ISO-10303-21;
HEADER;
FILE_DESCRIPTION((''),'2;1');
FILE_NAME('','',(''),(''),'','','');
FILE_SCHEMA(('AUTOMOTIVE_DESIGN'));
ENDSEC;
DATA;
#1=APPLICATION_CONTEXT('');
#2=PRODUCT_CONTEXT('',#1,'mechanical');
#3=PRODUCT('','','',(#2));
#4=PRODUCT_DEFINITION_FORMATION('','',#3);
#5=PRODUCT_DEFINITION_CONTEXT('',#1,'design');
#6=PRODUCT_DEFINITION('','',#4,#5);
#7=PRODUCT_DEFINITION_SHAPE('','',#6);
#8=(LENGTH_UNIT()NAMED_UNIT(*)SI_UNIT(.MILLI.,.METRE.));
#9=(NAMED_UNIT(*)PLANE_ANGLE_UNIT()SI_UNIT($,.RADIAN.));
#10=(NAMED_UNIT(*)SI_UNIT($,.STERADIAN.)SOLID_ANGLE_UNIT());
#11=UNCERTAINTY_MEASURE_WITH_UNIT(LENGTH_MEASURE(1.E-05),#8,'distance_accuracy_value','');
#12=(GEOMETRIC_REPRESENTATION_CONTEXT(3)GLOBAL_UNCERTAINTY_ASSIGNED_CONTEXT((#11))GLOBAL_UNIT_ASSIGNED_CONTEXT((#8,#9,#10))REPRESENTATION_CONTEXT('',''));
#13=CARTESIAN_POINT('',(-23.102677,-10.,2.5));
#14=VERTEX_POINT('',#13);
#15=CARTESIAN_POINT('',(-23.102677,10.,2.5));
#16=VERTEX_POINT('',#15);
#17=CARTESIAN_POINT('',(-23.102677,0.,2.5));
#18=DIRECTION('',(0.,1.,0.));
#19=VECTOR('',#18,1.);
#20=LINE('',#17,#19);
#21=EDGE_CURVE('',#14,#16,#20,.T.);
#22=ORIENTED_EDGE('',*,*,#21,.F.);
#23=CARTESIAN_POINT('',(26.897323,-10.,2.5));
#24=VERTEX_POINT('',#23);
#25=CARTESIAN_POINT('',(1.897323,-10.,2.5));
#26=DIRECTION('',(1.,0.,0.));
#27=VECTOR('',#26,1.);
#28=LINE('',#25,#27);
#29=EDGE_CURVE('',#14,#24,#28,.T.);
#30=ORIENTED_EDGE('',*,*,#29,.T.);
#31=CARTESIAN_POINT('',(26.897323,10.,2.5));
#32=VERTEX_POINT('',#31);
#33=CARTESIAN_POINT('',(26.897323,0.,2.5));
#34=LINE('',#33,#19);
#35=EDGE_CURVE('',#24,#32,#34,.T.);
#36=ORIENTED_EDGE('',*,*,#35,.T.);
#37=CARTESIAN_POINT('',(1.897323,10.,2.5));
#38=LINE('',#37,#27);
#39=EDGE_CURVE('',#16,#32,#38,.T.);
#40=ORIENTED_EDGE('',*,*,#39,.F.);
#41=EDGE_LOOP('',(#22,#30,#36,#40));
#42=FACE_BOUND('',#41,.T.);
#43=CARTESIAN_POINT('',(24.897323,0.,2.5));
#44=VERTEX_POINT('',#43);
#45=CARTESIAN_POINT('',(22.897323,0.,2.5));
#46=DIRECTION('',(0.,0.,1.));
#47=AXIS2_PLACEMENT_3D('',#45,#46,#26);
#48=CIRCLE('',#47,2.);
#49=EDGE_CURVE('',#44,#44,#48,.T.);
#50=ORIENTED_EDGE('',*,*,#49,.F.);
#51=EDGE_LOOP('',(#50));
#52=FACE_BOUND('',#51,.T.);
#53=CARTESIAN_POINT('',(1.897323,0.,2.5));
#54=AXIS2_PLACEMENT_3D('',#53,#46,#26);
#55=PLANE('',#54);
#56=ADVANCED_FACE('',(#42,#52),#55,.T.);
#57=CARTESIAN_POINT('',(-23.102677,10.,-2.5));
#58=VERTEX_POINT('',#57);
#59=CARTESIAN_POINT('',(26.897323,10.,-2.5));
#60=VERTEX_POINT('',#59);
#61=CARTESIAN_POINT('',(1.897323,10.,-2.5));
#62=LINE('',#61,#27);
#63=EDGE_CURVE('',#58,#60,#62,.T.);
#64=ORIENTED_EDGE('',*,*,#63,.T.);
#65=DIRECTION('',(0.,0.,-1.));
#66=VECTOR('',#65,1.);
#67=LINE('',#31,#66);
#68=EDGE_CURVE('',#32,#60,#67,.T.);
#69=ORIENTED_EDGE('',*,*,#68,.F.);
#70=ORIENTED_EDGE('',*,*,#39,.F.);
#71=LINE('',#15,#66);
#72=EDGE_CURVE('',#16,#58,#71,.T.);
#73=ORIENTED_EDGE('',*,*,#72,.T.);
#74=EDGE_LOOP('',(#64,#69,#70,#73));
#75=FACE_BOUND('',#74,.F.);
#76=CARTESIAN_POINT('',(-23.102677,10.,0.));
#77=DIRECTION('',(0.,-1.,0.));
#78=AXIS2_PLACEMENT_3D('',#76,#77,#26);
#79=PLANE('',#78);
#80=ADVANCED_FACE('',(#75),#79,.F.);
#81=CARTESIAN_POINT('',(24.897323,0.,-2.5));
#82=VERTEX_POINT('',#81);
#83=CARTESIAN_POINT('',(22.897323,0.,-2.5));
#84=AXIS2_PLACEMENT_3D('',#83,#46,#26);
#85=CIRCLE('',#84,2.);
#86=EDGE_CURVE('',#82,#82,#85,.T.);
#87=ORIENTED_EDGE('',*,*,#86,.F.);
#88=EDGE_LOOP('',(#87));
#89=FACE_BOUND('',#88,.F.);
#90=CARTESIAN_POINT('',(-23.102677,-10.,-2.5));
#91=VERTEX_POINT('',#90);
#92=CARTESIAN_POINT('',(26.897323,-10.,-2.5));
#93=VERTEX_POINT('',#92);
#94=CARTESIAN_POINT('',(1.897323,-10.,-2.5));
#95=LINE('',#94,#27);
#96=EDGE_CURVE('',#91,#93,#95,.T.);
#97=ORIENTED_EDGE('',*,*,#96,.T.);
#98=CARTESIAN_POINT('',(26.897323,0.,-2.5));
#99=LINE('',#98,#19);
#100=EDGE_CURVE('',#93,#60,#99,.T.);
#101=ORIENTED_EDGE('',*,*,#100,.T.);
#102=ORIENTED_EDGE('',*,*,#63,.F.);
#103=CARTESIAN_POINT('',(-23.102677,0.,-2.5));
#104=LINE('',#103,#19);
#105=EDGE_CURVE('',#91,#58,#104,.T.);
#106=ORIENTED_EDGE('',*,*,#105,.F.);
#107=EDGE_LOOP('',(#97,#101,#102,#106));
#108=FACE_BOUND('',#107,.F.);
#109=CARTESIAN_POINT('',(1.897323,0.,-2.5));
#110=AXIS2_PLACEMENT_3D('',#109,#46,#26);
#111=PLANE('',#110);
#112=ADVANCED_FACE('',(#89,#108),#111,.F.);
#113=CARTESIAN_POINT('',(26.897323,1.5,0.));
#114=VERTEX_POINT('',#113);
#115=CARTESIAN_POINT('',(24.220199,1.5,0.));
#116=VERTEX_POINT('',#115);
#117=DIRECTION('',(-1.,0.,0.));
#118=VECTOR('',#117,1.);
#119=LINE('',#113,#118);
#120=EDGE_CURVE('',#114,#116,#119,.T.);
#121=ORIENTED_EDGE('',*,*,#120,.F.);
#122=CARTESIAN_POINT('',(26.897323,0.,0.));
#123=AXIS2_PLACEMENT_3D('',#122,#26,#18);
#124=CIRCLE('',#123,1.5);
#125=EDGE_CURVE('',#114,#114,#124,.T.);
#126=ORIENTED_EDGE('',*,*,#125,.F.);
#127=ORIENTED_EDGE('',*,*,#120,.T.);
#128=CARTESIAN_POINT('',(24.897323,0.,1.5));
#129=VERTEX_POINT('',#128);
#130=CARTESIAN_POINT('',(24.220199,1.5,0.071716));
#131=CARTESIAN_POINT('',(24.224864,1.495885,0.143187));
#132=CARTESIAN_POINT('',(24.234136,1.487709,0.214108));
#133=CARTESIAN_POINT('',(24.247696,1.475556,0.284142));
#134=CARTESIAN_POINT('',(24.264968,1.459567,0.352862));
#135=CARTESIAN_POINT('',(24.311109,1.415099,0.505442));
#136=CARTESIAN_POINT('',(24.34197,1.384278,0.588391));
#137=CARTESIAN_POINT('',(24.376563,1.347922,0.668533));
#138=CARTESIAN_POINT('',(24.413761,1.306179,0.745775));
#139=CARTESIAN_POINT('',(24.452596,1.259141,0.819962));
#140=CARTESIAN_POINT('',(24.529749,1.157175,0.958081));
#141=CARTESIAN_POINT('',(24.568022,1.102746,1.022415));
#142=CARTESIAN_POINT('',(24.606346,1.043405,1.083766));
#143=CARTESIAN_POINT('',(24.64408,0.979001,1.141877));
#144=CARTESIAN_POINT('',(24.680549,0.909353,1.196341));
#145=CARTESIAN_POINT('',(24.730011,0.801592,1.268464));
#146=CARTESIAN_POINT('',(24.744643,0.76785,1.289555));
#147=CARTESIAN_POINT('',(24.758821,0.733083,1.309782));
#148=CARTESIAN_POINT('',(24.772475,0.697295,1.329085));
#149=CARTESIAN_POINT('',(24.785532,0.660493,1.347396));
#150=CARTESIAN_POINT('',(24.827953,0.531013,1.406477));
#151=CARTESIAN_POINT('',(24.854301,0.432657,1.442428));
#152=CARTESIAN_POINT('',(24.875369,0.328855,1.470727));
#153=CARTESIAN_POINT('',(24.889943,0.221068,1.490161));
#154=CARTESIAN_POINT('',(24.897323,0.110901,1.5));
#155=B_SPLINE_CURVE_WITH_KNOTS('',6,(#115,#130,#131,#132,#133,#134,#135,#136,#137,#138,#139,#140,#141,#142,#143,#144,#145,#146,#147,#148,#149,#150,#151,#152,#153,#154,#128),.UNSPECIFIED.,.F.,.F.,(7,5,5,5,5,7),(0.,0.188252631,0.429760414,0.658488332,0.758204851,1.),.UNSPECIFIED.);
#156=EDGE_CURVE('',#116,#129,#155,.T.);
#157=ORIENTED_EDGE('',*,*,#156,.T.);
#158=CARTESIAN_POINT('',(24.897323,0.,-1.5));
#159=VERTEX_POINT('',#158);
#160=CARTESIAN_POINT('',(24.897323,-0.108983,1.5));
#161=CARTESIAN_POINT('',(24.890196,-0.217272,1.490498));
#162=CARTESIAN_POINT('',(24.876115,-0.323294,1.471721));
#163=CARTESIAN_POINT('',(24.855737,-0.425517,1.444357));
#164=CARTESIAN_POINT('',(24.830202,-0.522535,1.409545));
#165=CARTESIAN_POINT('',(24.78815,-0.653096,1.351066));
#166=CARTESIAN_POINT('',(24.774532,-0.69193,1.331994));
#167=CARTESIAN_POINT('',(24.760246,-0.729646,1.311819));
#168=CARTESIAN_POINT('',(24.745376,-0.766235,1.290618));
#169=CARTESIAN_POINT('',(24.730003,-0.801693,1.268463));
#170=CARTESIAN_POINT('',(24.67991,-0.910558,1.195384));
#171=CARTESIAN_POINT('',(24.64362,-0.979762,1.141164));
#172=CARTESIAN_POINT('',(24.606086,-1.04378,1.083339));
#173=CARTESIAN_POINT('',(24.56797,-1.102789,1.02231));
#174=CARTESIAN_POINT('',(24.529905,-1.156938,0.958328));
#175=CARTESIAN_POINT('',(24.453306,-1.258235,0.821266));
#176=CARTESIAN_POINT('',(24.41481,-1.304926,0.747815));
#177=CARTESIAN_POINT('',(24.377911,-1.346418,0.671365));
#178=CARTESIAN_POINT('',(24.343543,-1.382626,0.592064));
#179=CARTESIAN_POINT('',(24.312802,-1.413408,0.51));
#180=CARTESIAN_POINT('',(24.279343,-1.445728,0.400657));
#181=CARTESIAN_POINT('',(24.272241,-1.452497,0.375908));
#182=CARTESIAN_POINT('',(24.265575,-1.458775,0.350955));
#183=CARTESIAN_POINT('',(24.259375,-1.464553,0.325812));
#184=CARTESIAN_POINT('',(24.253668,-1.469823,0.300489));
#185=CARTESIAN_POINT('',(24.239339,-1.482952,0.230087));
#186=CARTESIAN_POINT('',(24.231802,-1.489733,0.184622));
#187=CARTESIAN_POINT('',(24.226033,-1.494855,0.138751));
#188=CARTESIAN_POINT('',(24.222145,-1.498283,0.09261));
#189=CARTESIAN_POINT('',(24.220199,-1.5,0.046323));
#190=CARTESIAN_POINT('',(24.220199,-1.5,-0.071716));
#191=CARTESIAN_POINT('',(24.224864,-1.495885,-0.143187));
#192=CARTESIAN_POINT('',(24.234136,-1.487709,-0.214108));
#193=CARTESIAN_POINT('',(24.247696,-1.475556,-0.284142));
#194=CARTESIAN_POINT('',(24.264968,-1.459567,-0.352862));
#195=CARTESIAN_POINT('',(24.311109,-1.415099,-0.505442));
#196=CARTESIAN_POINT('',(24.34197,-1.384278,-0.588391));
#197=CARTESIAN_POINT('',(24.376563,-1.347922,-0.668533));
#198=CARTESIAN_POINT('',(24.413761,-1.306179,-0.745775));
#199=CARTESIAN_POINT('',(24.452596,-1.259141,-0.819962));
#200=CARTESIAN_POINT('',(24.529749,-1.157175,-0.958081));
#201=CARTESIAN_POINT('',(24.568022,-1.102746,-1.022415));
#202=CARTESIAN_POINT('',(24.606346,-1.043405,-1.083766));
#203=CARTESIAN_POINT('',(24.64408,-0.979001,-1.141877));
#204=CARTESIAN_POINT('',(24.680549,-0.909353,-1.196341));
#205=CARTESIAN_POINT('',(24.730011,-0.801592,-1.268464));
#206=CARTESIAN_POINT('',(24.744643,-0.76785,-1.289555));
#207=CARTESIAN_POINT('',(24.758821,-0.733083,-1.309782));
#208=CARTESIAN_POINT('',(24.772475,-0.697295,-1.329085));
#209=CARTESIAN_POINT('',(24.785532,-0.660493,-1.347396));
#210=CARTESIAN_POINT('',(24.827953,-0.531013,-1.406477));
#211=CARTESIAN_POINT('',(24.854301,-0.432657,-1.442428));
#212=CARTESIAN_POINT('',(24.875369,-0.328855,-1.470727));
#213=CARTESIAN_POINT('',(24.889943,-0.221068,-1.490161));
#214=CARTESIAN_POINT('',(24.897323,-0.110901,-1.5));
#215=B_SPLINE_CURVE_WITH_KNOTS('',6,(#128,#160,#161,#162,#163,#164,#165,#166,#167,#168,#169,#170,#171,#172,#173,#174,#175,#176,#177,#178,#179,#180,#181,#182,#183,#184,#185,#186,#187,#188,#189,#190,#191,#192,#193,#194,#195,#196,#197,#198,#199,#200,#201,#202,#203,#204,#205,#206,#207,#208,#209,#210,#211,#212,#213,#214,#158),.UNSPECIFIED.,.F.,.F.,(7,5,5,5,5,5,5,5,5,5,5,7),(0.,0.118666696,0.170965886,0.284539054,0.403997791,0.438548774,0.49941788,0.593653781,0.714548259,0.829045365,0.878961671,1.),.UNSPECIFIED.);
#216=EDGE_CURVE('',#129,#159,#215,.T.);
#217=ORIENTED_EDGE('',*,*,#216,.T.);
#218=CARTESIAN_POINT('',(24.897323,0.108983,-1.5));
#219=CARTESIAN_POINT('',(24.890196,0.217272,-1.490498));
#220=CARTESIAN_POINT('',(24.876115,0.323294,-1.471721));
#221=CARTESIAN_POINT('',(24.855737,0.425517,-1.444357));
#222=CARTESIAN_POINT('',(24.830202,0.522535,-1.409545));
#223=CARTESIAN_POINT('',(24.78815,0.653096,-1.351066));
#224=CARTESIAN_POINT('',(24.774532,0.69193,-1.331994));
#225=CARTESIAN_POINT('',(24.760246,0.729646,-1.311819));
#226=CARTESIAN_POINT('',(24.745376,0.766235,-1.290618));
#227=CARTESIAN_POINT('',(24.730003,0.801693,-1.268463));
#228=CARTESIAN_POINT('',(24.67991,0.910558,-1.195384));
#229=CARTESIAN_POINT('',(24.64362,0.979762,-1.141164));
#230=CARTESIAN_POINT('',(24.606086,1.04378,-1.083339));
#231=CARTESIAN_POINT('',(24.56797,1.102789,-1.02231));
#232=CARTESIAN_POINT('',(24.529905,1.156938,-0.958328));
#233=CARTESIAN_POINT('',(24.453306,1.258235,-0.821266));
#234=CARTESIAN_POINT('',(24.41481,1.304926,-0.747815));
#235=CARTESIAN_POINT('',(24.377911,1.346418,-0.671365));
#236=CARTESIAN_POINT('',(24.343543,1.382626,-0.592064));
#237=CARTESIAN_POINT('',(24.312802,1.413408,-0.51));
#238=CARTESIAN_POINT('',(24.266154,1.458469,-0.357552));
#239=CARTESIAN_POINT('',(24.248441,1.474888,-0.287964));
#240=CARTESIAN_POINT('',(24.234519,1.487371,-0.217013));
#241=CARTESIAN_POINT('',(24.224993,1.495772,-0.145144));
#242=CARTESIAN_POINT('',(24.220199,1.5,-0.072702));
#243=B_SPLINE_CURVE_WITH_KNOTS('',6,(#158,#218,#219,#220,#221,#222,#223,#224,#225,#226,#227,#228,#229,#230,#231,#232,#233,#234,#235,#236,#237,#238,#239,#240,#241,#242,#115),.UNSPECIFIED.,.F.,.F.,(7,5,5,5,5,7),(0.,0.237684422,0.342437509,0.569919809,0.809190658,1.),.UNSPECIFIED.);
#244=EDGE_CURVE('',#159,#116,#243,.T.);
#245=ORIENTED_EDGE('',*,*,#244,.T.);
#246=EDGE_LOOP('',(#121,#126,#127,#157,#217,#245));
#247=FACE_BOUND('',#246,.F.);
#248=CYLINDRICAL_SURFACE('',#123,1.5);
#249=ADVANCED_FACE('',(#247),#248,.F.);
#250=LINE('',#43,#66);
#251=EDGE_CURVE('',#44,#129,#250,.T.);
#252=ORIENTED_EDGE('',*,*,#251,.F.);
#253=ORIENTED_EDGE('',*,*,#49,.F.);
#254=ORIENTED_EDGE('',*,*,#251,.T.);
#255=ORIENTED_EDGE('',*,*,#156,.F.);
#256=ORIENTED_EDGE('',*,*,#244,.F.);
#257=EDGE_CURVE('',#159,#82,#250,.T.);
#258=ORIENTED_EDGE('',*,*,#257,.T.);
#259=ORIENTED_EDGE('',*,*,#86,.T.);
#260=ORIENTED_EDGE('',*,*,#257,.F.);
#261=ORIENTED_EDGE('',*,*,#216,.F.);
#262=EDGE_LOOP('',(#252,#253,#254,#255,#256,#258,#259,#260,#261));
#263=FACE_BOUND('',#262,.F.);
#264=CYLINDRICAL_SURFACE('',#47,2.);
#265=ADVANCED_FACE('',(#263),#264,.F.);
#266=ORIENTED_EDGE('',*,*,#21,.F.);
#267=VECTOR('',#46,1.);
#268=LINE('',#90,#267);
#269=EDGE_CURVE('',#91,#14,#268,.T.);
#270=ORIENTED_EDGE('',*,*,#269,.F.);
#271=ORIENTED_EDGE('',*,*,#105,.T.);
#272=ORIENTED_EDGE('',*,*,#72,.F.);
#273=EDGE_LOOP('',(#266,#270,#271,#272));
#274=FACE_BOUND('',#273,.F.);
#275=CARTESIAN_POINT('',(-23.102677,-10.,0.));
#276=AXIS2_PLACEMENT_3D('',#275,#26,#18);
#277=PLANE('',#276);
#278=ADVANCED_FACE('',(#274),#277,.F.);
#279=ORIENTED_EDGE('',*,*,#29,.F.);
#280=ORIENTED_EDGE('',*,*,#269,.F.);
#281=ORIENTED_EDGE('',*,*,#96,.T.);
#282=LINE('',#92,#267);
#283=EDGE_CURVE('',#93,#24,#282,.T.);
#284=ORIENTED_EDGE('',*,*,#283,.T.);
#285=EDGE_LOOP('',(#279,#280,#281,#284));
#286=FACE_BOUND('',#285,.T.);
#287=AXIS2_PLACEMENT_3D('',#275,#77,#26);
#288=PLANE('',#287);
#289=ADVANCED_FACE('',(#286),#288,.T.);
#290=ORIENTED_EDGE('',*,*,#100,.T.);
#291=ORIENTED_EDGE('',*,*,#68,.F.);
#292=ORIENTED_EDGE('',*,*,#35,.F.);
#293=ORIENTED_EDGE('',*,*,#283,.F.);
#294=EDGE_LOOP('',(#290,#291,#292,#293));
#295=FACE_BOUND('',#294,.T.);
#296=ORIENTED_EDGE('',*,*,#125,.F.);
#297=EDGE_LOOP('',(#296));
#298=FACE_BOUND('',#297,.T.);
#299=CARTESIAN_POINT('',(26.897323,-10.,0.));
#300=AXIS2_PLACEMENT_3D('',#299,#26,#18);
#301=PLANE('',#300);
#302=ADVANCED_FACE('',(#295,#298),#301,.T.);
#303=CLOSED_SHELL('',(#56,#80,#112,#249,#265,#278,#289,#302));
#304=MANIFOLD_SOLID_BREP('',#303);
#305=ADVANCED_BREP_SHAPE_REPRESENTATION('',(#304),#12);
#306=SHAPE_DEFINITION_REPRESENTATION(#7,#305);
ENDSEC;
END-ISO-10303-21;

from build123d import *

# Parameters (mm, degrees)
F0_W     = 50
F0_H     = 20
F1_DEPTH = 2.5
F2_R     = 2
F3_DEPTH = 5.001
F4_R     = 1.5
F5_DEPTH = 5


with BuildPart() as f1:
    # F0 (on Top) → F1 (new body, symmetric)
    with BuildSketch(Plane.XY):
        with Locations((1.897323, 0)):
            Rectangle(F0_W, F0_H)
    extrude(amount=F1_DEPTH, both=True)

    # F2 (on face) → F3 (cut, through all)
    with BuildSketch(Plane.XY.offset(2.5)):
        with Locations((22.897323, 0)):
            Circle(F2_R)
    extrude(amount=-F3_DEPTH, mode=Mode.SUBTRACT)

    # F4 (on face) → F5 (cut)
    with BuildSketch(Plane.YZ.offset(26.897323)):
        Circle(F4_R)
    extrude(amount=-F5_DEPTH, mode=Mode.SUBTRACT)


solid = f1.part
